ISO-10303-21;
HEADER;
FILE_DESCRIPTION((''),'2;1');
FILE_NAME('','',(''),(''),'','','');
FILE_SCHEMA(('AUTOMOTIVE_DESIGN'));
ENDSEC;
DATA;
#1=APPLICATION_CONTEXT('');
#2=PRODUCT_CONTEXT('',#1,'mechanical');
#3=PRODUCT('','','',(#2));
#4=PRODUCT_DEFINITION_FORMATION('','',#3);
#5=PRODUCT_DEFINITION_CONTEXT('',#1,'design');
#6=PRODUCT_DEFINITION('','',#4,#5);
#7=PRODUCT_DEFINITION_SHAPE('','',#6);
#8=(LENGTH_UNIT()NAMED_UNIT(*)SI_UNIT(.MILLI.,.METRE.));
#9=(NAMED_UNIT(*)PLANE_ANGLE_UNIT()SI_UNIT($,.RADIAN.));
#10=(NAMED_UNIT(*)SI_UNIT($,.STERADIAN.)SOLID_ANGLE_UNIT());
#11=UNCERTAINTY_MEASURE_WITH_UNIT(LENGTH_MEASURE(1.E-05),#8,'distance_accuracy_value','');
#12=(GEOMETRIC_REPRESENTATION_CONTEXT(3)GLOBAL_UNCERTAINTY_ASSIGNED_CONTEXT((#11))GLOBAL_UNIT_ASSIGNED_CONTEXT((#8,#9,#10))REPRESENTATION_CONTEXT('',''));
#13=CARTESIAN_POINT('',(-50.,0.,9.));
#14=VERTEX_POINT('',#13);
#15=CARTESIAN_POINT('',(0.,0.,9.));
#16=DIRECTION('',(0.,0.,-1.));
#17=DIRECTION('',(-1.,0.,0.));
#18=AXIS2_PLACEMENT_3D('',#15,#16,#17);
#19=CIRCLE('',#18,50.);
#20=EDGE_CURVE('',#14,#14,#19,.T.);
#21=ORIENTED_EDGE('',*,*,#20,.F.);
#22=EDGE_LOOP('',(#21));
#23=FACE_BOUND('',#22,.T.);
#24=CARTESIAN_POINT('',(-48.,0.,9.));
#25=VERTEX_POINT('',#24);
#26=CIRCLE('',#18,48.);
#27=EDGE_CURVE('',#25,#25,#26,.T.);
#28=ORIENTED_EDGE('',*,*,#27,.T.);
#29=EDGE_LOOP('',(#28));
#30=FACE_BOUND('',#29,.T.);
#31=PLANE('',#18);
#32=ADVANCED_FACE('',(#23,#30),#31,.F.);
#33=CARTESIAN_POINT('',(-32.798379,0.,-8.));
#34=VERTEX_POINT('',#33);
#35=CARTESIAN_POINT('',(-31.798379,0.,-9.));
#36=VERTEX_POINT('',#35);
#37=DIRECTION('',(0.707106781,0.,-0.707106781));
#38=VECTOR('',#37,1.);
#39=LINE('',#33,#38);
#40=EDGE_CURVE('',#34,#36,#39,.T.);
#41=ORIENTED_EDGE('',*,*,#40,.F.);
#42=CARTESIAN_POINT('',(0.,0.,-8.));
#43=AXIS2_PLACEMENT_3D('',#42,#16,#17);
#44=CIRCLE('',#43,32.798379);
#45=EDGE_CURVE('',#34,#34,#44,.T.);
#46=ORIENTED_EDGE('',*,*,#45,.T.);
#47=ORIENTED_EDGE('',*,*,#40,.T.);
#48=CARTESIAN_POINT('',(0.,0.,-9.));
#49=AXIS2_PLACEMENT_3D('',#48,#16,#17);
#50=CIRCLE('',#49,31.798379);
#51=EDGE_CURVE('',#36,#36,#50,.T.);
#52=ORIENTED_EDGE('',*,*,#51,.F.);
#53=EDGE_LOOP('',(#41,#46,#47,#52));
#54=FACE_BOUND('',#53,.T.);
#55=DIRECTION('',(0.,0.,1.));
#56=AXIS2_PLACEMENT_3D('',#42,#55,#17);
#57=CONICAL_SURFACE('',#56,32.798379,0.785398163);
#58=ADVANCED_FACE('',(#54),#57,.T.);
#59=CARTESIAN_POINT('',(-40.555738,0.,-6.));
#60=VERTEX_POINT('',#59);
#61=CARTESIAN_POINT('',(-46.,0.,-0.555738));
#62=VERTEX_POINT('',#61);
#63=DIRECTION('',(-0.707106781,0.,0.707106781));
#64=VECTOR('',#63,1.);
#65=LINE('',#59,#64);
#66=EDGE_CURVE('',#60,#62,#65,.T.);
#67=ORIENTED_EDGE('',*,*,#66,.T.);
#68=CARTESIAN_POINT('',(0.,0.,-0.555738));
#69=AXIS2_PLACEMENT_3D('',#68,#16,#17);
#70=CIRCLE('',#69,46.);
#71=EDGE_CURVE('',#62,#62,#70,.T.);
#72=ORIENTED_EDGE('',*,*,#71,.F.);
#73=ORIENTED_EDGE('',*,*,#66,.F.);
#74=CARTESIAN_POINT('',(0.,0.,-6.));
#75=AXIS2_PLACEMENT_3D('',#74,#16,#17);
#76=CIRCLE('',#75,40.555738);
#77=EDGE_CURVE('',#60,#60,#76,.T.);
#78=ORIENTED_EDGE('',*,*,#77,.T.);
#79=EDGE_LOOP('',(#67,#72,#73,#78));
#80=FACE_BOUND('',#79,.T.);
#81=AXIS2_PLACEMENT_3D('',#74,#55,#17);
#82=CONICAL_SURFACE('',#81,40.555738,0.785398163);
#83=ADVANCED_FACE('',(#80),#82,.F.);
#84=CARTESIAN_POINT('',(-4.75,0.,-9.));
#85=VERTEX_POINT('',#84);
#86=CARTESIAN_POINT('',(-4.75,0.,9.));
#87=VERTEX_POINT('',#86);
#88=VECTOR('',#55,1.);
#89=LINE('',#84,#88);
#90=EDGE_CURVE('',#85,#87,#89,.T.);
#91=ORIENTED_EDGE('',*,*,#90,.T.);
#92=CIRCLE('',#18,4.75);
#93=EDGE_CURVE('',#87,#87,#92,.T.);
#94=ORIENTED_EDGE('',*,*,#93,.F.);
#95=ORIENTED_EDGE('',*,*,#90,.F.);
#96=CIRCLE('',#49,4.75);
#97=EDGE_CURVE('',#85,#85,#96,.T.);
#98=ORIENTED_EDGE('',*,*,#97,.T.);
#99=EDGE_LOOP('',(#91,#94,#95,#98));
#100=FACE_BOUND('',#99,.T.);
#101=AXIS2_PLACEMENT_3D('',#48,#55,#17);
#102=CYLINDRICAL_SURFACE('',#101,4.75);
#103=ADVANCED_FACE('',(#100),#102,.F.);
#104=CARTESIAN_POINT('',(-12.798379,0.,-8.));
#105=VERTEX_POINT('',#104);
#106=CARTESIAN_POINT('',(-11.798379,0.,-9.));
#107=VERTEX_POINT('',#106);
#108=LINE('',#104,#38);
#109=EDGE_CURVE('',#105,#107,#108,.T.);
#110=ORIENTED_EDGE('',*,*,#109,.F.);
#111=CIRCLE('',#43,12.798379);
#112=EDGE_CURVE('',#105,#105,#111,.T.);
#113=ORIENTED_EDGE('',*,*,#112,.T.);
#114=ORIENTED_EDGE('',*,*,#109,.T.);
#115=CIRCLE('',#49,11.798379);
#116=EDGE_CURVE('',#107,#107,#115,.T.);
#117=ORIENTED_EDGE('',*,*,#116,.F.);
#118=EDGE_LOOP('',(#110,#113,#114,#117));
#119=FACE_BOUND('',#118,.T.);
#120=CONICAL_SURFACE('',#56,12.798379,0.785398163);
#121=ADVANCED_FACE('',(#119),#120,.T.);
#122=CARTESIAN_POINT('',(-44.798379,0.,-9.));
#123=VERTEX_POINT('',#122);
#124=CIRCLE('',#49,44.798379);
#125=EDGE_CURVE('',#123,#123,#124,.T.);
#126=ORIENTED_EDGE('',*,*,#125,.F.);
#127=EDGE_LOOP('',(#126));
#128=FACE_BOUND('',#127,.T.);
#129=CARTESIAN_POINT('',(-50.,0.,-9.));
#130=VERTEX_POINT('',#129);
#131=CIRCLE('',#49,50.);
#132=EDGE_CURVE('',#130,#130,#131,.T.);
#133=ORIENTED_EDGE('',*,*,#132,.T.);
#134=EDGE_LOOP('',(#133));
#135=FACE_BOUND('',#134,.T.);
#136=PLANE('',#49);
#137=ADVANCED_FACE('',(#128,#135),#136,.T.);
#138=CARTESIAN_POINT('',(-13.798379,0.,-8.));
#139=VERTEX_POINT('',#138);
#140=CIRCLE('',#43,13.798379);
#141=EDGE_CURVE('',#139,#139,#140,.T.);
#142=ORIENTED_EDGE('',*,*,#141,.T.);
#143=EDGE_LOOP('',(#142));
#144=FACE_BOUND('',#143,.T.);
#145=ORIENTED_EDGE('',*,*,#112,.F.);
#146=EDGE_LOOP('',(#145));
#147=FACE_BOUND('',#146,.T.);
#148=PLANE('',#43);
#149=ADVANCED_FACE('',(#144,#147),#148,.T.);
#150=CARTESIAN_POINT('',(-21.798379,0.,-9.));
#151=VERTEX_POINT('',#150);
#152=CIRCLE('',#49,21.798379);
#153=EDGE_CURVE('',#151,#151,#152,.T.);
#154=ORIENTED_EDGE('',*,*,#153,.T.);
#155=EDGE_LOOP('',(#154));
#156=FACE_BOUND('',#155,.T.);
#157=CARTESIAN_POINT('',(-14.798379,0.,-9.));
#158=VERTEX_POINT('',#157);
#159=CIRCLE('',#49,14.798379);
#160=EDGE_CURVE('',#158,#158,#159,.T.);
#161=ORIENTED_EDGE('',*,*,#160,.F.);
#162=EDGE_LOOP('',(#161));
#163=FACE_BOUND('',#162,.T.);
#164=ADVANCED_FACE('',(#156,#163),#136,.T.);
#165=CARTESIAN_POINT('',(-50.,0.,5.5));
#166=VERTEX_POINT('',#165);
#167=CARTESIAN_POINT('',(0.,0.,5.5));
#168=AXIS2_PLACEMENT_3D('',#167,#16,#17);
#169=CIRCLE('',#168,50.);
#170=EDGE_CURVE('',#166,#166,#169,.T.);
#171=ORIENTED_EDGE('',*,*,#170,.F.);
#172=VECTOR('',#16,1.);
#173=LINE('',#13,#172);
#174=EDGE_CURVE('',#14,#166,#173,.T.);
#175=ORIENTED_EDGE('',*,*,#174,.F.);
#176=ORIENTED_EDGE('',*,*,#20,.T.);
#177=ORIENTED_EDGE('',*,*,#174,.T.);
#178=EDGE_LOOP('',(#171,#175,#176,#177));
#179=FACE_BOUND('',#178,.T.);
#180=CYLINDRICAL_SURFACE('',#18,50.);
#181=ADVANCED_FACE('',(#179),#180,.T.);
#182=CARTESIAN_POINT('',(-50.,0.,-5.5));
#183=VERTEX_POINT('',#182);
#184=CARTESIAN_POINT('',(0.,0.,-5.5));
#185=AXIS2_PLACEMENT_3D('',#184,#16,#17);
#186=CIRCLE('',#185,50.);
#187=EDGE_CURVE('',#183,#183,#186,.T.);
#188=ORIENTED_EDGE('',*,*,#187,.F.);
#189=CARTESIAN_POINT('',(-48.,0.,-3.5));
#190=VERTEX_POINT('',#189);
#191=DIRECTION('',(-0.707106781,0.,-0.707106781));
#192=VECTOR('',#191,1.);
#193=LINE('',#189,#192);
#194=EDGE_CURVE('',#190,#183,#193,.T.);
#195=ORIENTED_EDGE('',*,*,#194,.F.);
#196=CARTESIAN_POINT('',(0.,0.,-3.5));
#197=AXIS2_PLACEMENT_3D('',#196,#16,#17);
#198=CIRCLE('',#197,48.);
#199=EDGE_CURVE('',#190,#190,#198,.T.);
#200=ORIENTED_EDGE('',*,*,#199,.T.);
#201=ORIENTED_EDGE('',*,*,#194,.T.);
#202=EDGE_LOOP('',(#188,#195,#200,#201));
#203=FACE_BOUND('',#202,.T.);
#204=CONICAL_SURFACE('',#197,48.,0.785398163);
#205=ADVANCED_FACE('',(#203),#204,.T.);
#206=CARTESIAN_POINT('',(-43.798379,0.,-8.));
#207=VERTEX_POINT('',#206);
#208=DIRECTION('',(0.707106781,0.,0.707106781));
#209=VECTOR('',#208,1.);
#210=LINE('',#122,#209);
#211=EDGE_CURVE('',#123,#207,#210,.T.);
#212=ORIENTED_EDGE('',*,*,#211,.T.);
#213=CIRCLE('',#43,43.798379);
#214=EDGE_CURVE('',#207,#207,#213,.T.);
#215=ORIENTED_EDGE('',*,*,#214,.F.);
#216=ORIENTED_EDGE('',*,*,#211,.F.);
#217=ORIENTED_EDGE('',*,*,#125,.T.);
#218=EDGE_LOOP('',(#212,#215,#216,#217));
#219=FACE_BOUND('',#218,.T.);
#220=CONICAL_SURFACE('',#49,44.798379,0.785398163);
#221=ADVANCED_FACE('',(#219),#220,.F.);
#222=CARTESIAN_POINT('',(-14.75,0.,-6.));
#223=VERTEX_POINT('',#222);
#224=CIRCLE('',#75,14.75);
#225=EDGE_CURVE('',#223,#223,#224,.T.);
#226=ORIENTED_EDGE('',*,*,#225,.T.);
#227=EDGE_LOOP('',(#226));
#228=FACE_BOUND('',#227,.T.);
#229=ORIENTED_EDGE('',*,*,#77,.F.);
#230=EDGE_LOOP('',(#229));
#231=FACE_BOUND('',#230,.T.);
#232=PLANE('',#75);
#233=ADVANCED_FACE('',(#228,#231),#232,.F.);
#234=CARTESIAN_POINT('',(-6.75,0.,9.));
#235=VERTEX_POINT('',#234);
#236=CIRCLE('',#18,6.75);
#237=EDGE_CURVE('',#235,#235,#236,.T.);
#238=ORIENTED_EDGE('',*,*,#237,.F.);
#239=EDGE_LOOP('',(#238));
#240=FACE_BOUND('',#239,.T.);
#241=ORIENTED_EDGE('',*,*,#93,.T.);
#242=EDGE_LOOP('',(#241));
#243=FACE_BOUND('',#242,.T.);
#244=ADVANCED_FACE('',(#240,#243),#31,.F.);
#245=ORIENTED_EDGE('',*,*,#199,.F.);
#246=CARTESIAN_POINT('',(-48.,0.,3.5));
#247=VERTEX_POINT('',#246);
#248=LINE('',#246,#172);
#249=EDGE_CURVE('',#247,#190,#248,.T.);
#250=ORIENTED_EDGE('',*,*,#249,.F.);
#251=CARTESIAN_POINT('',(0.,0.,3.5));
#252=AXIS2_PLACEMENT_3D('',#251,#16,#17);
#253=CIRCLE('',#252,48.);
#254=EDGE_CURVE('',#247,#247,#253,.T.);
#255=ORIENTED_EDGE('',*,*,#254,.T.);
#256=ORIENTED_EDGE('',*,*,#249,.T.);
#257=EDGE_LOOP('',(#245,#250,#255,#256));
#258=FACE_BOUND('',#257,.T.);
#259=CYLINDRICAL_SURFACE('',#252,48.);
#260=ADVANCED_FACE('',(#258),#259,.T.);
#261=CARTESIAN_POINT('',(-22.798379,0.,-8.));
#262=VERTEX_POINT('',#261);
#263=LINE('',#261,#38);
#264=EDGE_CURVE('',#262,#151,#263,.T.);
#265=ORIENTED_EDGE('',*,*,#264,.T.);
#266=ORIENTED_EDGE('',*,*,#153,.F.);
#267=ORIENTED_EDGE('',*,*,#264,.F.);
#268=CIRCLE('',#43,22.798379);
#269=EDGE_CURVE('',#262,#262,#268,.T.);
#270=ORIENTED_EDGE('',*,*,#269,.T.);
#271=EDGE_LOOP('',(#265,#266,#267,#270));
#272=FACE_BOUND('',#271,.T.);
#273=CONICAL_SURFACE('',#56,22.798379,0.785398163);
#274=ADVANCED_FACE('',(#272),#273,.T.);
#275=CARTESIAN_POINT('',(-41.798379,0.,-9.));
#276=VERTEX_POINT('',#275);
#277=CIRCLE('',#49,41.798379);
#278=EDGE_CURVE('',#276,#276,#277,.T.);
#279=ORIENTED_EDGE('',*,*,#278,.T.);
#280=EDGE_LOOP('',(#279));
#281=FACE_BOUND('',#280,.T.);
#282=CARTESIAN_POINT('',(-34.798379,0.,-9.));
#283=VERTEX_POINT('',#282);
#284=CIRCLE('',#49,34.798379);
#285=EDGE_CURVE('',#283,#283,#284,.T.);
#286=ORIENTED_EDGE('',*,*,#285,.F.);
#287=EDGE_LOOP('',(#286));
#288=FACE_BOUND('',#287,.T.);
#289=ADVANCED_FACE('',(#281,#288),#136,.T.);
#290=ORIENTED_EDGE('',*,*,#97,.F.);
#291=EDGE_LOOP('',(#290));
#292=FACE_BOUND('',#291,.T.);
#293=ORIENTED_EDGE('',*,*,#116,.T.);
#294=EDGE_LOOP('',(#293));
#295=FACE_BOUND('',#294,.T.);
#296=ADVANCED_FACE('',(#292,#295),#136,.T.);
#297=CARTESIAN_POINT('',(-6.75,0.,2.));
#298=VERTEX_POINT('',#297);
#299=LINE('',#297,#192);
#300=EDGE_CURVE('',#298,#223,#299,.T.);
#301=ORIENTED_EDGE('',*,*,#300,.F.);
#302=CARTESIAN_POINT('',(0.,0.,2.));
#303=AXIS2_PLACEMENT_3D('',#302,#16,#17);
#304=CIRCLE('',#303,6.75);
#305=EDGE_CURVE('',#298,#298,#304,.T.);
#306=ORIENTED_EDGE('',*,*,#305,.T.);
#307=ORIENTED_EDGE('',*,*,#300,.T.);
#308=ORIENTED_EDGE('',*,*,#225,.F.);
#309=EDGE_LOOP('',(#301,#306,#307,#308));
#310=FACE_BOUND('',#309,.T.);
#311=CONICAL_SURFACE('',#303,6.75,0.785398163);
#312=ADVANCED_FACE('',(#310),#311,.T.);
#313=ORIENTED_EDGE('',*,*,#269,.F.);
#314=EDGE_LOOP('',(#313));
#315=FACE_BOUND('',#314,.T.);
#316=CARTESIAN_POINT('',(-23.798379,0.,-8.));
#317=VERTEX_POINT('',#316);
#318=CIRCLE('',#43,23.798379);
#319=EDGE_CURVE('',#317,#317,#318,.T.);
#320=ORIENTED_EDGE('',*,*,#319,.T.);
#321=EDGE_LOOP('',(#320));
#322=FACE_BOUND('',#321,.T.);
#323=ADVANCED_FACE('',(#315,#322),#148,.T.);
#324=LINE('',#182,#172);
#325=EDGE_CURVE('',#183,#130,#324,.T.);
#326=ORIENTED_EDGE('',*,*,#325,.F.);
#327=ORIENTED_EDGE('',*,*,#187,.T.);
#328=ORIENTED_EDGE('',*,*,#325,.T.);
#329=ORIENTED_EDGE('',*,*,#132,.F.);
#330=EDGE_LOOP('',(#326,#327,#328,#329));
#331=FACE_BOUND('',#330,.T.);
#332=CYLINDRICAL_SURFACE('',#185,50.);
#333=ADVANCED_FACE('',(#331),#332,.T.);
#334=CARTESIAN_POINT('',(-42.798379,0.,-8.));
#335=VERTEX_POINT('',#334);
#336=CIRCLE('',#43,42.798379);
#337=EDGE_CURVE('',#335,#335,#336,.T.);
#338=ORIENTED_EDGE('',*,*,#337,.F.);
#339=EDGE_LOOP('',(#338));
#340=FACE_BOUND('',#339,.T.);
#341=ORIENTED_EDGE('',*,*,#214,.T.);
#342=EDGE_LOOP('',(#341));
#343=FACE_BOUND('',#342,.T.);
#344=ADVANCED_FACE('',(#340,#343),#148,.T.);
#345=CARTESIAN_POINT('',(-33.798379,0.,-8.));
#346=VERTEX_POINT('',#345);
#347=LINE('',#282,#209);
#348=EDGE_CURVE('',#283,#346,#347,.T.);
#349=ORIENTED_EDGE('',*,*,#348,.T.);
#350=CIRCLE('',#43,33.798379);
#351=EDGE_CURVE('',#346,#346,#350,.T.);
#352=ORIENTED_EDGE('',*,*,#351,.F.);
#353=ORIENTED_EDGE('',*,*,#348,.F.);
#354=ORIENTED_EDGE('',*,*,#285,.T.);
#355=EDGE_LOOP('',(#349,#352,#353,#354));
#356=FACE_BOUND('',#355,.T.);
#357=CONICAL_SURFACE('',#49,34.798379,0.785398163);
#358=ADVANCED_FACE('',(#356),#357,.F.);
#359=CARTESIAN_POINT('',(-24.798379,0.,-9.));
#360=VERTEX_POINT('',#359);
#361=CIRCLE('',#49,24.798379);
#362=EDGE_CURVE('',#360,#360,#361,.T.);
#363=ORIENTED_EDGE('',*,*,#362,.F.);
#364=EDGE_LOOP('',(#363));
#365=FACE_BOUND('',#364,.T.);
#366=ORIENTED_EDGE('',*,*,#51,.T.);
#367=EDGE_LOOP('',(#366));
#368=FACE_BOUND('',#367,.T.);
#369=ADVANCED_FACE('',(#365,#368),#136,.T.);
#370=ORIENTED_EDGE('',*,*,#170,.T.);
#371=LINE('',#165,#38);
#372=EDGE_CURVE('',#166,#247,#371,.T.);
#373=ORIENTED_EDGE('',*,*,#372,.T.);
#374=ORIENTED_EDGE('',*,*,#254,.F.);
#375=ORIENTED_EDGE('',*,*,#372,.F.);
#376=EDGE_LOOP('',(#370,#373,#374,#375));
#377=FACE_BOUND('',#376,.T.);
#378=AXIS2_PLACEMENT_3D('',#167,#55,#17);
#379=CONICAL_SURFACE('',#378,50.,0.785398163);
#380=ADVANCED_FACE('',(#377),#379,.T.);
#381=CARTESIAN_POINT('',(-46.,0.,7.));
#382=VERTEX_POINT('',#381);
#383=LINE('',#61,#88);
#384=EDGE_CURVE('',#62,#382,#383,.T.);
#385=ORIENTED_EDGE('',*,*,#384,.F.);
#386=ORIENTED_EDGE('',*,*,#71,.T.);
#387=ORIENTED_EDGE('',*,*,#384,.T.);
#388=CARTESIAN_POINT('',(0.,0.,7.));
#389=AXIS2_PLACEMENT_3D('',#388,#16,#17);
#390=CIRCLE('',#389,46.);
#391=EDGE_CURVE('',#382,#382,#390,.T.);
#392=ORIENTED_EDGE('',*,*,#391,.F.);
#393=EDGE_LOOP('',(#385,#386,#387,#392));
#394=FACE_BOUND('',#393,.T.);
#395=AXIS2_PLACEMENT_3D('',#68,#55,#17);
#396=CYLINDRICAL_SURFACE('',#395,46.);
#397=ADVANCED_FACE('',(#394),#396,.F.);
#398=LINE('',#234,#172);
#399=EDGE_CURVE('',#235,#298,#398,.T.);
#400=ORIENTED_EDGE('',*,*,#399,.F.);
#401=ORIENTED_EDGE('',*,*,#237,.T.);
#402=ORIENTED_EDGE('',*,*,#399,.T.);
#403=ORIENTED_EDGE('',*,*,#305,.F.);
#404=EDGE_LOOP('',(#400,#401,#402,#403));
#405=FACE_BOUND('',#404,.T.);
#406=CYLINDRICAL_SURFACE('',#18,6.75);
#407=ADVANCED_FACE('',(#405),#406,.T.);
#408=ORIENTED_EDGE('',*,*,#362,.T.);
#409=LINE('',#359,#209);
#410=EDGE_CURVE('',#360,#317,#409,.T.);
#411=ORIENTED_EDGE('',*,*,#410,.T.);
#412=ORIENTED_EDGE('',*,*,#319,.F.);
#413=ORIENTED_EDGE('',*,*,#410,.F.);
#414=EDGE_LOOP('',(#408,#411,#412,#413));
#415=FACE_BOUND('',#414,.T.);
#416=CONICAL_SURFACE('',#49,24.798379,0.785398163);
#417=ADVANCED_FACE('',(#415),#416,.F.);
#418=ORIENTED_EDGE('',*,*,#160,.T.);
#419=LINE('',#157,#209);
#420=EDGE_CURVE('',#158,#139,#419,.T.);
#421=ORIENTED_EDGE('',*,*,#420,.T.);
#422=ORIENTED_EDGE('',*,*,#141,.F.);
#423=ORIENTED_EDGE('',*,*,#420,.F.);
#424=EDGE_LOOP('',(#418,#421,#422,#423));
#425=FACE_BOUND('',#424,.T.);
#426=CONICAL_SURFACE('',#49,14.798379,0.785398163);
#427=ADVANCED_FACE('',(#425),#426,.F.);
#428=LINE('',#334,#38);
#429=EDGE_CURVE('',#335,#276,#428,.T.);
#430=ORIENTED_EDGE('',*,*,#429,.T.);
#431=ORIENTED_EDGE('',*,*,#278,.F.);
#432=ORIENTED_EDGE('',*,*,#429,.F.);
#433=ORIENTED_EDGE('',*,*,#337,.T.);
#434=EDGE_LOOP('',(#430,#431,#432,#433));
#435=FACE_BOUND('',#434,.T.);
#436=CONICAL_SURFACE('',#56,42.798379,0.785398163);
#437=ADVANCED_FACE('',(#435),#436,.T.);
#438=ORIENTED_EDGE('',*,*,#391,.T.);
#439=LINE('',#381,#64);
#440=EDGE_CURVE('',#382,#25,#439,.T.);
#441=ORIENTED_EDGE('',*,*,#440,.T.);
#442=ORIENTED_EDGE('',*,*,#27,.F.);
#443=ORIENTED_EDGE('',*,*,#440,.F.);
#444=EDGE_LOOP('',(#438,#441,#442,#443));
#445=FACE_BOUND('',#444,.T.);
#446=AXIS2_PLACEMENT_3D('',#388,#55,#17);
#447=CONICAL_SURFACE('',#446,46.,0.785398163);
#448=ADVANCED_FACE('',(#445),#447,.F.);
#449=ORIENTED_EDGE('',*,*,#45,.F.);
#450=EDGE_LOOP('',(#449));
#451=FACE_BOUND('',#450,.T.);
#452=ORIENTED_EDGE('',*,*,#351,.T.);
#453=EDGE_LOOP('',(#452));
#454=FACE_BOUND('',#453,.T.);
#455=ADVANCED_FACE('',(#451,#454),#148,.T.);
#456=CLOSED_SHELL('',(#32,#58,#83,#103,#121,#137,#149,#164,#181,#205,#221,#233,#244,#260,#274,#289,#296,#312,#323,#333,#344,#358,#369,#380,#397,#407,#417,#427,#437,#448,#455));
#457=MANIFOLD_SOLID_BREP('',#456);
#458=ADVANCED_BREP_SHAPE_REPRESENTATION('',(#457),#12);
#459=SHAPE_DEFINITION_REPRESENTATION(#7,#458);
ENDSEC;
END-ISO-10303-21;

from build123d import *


with BuildPart() as f1:
    # F0 (on Front) → F1 (revolve)
    with BuildSketch(Plane.XZ):
        Polygon((-4.75, -9), (-4.75, 9), (-6.75, 9), (-6.75, 2), (-14.75, -6), (-40.555738, -6), (-46, -0.555738), (-46, 7), (-48, 9), (-50, 9), (-50, 5.5), (-48, 3.5), (-48, 0), (-48, -3.5), (-50, -5.5), (-50, -9), (-44.798379, -9), (-43.798379, -8), (-42.798379, -8), (-41.798379, -9), (-34.798379, -9), (-33.798379, -8), (-32.798379, -8), (-31.798379, -9), (-24.798379, -9), (-23.798379, -8), (-22.798379, -8), (-21.798379, -9), (-14.798379, -9), (-13.798379, -8), (-12.798379, -8), (-11.798379, -9), align=None)
    revolve(axis=Axis((0, 0, 0), (0, 0, -1)))


solid = f1.part
